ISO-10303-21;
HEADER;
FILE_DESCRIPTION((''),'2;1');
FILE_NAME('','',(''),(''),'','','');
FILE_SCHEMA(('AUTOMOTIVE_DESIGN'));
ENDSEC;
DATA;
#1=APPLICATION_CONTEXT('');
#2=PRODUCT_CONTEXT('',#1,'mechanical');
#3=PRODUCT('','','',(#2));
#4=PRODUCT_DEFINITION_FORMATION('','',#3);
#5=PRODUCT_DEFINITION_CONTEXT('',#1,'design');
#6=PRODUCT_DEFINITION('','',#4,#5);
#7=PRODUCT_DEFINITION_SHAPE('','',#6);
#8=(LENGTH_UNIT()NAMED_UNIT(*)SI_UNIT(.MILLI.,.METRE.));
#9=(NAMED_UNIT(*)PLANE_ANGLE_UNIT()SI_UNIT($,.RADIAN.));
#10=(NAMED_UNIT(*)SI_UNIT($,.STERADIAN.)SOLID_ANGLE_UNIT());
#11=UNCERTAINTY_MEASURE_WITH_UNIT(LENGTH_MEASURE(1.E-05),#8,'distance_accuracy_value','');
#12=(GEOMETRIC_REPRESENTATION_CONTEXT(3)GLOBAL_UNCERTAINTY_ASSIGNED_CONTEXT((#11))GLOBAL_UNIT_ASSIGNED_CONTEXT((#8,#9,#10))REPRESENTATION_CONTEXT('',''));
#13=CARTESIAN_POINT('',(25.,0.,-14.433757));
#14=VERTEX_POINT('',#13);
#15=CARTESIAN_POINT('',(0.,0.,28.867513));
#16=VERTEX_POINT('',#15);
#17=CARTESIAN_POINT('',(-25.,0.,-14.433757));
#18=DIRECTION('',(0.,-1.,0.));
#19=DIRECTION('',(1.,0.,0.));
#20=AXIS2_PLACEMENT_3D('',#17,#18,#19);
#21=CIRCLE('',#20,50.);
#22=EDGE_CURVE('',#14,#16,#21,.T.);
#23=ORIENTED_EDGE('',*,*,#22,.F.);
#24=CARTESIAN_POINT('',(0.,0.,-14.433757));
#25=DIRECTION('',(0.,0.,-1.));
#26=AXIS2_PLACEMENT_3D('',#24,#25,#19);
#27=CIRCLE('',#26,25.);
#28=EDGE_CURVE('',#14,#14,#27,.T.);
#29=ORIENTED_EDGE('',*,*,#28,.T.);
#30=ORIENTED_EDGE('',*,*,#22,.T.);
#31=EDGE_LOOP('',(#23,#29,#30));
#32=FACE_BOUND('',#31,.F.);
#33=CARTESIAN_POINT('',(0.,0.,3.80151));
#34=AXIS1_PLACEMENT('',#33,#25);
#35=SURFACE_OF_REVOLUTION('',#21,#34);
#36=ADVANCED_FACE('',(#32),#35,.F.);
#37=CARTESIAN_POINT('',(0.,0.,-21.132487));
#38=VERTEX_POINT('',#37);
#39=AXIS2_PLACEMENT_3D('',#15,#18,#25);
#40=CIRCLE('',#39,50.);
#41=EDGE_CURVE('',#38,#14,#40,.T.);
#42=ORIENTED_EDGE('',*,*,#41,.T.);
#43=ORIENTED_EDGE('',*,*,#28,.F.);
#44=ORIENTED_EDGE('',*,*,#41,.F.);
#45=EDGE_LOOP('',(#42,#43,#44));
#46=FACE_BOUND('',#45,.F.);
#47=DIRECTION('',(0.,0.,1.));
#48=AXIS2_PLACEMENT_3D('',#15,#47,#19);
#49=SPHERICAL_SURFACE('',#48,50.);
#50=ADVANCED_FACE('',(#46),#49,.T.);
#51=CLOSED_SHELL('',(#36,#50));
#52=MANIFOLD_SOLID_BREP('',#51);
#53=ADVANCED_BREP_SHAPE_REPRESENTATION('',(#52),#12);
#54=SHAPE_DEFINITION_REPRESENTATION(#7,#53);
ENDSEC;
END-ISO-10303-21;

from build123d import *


with BuildPart() as f1:
    # F0 (on Front) → F1 (revolve)
    with BuildSketch(Plane.XZ):
        with BuildLine():
            Line((0, 28.8675134595), (25, -14.4337567297))
            ThreePointArc((25, -14.4337567297), (18.3012701892, 10.5662432703), (0, 28.8675134595))
        make_face()
        with BuildLine():
            ThreePointArc((0, -21.1324865405), (12.9409522551, -19.428777855), (25, -14.4337567297))
            Line((25, -14.4337567297), (0, -14.4337567297))
            Line((0, -14.4337567297), (0, -21.1324865405))
        make_face()
        Polygon((0, -14.4337567297), (25, -14.4337567297), (0, 28.8675134595), align=None)
    revolve(axis=Axis((0, 0, 3.801509738), (0, 0, -1)))


solid = f1.part
